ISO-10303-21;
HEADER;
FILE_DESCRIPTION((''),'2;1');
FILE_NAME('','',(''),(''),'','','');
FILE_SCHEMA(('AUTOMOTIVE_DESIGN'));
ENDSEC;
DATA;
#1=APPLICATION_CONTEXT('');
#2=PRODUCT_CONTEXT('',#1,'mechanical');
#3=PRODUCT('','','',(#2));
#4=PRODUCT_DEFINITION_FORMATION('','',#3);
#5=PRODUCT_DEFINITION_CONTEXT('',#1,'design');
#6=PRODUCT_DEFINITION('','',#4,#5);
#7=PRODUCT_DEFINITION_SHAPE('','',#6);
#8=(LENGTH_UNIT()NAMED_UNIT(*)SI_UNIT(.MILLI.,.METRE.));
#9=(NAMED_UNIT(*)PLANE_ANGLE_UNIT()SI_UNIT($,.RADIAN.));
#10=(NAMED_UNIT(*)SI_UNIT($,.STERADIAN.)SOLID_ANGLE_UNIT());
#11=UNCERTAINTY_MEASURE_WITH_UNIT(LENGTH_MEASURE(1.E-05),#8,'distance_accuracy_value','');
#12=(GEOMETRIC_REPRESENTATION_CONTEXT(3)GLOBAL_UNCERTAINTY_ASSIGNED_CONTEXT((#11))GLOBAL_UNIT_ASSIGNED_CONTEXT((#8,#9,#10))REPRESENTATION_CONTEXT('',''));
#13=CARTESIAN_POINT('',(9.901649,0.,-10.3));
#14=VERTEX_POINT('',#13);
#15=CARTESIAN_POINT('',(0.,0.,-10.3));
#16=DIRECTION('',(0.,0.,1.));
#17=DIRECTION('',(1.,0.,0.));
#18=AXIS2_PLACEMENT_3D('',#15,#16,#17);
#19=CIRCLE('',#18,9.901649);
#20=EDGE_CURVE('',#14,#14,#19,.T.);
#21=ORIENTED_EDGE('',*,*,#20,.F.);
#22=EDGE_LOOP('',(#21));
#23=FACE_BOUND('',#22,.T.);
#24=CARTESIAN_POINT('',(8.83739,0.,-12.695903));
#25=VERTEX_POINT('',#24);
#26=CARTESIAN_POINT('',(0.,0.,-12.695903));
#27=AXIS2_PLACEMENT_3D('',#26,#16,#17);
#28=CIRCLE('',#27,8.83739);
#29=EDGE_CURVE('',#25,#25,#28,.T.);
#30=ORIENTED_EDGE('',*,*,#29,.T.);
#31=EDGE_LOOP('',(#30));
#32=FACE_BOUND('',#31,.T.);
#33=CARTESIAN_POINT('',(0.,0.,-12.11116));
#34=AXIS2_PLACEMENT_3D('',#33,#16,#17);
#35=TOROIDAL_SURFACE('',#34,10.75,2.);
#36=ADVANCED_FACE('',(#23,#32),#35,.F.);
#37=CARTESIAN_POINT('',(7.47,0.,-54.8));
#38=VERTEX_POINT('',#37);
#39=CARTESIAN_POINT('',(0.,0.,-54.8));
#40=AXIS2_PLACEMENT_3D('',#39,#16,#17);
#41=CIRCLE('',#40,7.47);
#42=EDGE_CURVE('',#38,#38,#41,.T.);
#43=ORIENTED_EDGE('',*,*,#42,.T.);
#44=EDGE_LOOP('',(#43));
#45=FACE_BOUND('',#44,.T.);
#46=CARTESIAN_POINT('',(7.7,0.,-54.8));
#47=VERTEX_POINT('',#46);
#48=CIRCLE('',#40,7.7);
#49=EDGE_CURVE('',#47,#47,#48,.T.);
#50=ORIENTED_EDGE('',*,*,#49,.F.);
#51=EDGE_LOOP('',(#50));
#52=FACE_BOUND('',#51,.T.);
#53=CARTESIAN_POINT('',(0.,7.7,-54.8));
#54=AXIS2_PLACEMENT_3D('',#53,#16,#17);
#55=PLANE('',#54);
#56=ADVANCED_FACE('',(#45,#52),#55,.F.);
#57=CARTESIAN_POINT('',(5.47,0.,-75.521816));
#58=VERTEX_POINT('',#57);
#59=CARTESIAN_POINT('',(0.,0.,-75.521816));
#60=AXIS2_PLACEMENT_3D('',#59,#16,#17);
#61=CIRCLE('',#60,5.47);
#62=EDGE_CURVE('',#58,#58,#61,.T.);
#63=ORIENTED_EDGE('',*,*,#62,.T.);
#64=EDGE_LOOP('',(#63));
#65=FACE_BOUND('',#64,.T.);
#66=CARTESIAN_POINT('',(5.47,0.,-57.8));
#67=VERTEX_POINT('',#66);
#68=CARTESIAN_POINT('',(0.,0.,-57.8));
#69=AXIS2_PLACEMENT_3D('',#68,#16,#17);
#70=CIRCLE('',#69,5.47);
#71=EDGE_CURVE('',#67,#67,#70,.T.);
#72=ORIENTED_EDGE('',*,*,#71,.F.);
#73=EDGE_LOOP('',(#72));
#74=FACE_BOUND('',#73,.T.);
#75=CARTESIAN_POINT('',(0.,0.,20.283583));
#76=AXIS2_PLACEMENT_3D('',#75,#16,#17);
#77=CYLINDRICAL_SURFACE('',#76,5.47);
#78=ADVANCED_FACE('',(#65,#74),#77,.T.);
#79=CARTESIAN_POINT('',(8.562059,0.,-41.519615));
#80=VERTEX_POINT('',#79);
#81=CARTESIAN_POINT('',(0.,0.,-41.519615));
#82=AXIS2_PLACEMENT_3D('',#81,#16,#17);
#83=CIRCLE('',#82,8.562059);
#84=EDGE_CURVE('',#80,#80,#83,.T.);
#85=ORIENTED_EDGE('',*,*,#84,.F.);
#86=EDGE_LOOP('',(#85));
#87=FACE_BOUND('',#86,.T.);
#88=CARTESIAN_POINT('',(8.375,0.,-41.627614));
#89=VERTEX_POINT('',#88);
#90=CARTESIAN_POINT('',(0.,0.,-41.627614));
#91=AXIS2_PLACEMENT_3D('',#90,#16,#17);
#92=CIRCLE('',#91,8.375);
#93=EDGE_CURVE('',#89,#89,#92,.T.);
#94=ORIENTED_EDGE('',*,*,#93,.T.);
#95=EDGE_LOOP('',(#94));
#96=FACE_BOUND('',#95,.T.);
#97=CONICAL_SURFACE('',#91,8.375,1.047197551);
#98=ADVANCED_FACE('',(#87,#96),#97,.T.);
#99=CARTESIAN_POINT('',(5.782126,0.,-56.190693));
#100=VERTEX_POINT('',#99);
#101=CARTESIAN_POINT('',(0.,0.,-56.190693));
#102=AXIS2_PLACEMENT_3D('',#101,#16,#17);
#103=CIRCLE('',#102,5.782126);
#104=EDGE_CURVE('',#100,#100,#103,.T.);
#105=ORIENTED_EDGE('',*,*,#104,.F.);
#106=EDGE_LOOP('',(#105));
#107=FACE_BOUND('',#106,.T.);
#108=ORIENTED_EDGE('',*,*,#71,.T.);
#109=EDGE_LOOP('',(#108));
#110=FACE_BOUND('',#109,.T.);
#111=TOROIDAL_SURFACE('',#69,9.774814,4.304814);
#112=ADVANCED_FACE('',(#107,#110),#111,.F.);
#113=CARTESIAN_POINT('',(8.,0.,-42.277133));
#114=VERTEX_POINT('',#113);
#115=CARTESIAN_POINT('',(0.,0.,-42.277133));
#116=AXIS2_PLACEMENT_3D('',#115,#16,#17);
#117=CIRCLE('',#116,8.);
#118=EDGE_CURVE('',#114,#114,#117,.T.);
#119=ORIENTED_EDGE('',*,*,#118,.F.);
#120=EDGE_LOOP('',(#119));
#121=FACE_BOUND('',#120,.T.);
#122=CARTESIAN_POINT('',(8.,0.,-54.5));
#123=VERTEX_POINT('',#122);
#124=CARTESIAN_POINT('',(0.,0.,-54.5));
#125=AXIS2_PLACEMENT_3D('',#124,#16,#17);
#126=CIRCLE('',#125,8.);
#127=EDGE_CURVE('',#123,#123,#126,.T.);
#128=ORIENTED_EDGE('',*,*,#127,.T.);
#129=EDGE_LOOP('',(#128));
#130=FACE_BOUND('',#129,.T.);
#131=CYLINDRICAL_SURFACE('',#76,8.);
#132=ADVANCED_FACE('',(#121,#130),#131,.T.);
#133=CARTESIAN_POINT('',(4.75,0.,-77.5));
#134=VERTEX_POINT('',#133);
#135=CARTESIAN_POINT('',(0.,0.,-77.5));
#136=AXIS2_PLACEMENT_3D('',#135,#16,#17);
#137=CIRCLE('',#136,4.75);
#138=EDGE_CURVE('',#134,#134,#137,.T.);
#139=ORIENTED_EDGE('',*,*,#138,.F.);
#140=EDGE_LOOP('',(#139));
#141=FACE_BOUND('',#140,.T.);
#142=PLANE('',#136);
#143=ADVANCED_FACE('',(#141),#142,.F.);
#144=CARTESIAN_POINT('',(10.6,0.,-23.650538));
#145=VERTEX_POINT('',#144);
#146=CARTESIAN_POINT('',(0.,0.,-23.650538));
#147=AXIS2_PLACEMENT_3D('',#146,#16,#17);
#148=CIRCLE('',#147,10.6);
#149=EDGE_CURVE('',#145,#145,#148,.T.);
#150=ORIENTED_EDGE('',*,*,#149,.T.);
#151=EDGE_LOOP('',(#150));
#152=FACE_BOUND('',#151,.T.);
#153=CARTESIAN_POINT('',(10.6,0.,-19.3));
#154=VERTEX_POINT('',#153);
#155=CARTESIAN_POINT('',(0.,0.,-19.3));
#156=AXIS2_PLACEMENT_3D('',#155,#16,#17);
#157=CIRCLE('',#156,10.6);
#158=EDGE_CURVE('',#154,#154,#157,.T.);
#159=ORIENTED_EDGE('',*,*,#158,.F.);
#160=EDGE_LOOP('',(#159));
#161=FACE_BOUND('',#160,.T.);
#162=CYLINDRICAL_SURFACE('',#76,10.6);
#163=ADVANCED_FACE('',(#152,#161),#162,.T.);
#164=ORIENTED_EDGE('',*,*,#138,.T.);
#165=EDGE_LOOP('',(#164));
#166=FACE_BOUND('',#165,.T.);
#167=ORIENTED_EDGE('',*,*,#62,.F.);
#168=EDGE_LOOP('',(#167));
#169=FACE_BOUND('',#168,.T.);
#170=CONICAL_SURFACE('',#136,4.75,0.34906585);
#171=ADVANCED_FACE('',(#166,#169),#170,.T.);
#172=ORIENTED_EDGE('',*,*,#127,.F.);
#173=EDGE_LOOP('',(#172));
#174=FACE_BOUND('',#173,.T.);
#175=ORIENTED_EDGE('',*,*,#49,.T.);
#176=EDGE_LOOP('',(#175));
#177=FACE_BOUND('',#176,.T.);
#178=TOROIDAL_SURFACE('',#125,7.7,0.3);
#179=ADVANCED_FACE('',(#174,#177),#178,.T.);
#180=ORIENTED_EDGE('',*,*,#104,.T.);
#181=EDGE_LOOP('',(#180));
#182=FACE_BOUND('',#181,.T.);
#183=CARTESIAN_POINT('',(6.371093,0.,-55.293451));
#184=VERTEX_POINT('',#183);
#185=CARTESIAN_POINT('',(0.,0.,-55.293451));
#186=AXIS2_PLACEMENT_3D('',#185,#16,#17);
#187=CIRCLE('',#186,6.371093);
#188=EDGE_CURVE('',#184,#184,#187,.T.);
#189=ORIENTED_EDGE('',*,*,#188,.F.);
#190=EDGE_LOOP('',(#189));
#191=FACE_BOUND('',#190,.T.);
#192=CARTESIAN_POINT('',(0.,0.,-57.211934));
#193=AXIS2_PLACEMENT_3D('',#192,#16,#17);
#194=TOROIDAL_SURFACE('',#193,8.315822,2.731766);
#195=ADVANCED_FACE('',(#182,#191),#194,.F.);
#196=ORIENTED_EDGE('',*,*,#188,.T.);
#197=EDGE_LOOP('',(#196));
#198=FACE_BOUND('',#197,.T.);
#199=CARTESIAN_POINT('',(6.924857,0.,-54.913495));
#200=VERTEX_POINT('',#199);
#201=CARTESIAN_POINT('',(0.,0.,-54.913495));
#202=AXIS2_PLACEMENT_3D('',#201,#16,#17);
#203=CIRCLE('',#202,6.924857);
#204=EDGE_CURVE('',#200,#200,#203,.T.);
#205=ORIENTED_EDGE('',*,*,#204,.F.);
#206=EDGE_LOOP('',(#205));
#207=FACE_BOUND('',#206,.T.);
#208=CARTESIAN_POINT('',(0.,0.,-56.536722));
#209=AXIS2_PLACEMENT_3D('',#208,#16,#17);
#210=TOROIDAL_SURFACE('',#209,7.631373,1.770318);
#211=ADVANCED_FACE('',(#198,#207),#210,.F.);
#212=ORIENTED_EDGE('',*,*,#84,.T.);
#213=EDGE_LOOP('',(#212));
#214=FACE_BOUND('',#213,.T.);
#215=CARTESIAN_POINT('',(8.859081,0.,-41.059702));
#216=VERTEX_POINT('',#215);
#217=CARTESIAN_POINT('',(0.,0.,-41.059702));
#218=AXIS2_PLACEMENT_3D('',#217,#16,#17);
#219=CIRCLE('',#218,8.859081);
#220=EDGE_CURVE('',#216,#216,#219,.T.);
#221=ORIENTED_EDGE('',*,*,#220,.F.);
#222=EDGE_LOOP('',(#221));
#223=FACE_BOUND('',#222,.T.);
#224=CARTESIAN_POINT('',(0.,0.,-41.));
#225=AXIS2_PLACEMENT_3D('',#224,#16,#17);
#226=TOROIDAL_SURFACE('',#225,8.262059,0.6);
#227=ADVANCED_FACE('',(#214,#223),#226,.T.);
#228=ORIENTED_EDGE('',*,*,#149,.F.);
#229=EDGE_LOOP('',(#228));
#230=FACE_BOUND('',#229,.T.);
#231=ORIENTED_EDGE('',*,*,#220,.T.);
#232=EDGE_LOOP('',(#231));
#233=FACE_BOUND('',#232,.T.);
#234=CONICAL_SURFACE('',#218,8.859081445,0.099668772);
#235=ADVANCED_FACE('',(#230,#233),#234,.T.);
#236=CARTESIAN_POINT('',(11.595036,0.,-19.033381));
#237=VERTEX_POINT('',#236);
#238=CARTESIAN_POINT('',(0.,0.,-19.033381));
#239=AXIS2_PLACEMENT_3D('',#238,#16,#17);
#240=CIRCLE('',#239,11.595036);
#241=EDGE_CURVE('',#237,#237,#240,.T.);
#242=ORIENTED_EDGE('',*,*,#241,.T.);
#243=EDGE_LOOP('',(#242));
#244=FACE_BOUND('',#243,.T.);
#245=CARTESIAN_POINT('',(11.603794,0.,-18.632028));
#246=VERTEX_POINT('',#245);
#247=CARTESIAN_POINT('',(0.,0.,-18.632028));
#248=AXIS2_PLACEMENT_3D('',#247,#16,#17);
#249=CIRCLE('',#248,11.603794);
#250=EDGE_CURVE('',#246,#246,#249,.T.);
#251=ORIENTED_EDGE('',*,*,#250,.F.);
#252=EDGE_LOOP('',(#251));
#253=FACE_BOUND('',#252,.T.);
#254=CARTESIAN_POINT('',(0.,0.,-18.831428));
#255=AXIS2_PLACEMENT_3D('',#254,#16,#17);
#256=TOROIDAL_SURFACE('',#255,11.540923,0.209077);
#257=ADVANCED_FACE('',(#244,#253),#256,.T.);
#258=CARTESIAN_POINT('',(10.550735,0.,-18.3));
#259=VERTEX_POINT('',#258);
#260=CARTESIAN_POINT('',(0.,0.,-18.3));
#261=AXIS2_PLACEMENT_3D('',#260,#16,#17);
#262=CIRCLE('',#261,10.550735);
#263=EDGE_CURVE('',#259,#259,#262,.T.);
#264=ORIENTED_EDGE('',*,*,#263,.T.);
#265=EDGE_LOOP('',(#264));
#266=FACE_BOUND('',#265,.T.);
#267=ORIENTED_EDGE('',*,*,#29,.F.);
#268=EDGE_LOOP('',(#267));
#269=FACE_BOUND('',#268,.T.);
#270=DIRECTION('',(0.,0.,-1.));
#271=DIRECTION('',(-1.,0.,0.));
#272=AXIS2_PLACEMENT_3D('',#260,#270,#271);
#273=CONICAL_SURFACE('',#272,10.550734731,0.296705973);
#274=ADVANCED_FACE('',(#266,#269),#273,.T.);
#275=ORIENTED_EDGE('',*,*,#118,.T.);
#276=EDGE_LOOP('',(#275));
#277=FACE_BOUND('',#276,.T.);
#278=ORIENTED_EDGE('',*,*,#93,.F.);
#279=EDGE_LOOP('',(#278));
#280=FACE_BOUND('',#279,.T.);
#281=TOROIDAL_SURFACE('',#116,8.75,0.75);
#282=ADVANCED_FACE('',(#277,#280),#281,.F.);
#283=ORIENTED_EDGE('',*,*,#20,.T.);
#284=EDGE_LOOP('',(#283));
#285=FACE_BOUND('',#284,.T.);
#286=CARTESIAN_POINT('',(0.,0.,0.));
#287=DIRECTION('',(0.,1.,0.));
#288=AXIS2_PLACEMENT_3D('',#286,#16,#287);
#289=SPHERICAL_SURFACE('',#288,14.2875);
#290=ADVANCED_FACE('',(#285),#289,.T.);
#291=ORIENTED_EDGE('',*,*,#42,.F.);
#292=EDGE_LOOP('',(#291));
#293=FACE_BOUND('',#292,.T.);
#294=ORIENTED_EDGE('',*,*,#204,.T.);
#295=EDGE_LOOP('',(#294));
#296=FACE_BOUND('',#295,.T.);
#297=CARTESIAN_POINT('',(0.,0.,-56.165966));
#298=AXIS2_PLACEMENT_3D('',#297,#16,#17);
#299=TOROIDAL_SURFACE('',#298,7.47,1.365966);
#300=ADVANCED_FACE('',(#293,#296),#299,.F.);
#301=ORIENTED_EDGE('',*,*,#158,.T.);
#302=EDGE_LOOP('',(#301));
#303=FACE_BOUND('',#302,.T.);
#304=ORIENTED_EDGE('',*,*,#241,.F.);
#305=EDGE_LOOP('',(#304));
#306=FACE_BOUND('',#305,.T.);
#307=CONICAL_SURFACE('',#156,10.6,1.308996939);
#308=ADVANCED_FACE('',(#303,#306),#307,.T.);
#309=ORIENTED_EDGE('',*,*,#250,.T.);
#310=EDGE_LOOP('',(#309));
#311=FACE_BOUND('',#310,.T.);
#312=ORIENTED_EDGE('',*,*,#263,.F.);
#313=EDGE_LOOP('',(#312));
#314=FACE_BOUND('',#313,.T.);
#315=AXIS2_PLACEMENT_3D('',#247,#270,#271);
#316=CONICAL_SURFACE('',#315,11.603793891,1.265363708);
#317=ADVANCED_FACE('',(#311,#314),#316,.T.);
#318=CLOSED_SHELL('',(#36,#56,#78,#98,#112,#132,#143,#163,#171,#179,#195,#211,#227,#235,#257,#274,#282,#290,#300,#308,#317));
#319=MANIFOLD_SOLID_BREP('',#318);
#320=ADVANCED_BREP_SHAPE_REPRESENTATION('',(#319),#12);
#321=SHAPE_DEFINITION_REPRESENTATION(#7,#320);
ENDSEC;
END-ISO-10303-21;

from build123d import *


with BuildPart() as part:
    # Skizze1 → Rotation1 (revolve)
    with BuildSketch(Plane(origin=(0, 0, 0), x_dir=(0, 0, -1), z_dir=(1, 0, 0)), mode=Mode.PRIVATE) as rotation1_sk:
        with BuildLine():
            Line((23.650537812, 10.6), (19.3, 10.6))
            Line((19.3, 10.6), (19.033380814, 11.595036348))
            ThreePointArc((19.033380814, 11.595036348), (18.835989234, 11.749950245), (18.632028278, 11.603793891))
            Line((18.632028278, 11.603793891), (18.3, 10.550734731))
            Line((18.3, 10.550734731), (12.695903498, 8.837390488))
            ThreePointArc((12.695903498, 8.837390488), (11.299257322, 8.922210653), (10.3, 9.901649168))
            ThreePointArc((10.3, 9.901649168), (-5.337199933, 13.253186527), (-14.2875, 0))
            Line((-14.2875, 0), (77.5, 0))
            Line((77.5, 0), (77.5, 4.75))
            Line((77.5, 4.75), (75.521816258, 5.47))
            Line((75.521816258, 5.47), (57.8, 5.47))
            ThreePointArc((57.8, 5.47), (56.980351785, 5.548751958), (56.190692742, 5.782126469))
            ThreePointArc((56.190692742, 5.782126469), (55.712862497, 6.032111847), (55.293450836, 6.371093101))
            ThreePointArc((55.293450836, 6.371093101), (55.076973377, 6.629792883), (54.913495432, 6.924857332))
            ThreePointArc((54.913495432, 6.924857332), (54.828674834, 7.19158406), (54.8, 7.47))
            Line((54.8, 7.47), (54.8, 7.7))
            ThreePointArc((54.8, 7.7), (54.712132034, 7.912132034), (54.5, 8))
            Line((54.5, 8), (42.277132939, 8))
            ThreePointArc((42.277132939, 8), (41.902132939, 8.100480947), (41.627613886, 8.375))
            Line((41.627613886, 8.375), (41.519615242, 8.562059138))
            ThreePointArc((41.519615242, 8.562059138), (41.325511547, 8.766085162), (41.059702303, 8.859081445))
            Line((41.059702303, 8.859081445), (23.650537812, 10.6))
        make_face()
    revolve(rotation1_sk.sketch.rotate(Axis((0, 0, 20.283583407), (0, 0, -1)), 90), axis=Axis((0, 0, 20.283583407), (0, 0, -1)))  # turned: the seam where the file's is


solid = part.part
